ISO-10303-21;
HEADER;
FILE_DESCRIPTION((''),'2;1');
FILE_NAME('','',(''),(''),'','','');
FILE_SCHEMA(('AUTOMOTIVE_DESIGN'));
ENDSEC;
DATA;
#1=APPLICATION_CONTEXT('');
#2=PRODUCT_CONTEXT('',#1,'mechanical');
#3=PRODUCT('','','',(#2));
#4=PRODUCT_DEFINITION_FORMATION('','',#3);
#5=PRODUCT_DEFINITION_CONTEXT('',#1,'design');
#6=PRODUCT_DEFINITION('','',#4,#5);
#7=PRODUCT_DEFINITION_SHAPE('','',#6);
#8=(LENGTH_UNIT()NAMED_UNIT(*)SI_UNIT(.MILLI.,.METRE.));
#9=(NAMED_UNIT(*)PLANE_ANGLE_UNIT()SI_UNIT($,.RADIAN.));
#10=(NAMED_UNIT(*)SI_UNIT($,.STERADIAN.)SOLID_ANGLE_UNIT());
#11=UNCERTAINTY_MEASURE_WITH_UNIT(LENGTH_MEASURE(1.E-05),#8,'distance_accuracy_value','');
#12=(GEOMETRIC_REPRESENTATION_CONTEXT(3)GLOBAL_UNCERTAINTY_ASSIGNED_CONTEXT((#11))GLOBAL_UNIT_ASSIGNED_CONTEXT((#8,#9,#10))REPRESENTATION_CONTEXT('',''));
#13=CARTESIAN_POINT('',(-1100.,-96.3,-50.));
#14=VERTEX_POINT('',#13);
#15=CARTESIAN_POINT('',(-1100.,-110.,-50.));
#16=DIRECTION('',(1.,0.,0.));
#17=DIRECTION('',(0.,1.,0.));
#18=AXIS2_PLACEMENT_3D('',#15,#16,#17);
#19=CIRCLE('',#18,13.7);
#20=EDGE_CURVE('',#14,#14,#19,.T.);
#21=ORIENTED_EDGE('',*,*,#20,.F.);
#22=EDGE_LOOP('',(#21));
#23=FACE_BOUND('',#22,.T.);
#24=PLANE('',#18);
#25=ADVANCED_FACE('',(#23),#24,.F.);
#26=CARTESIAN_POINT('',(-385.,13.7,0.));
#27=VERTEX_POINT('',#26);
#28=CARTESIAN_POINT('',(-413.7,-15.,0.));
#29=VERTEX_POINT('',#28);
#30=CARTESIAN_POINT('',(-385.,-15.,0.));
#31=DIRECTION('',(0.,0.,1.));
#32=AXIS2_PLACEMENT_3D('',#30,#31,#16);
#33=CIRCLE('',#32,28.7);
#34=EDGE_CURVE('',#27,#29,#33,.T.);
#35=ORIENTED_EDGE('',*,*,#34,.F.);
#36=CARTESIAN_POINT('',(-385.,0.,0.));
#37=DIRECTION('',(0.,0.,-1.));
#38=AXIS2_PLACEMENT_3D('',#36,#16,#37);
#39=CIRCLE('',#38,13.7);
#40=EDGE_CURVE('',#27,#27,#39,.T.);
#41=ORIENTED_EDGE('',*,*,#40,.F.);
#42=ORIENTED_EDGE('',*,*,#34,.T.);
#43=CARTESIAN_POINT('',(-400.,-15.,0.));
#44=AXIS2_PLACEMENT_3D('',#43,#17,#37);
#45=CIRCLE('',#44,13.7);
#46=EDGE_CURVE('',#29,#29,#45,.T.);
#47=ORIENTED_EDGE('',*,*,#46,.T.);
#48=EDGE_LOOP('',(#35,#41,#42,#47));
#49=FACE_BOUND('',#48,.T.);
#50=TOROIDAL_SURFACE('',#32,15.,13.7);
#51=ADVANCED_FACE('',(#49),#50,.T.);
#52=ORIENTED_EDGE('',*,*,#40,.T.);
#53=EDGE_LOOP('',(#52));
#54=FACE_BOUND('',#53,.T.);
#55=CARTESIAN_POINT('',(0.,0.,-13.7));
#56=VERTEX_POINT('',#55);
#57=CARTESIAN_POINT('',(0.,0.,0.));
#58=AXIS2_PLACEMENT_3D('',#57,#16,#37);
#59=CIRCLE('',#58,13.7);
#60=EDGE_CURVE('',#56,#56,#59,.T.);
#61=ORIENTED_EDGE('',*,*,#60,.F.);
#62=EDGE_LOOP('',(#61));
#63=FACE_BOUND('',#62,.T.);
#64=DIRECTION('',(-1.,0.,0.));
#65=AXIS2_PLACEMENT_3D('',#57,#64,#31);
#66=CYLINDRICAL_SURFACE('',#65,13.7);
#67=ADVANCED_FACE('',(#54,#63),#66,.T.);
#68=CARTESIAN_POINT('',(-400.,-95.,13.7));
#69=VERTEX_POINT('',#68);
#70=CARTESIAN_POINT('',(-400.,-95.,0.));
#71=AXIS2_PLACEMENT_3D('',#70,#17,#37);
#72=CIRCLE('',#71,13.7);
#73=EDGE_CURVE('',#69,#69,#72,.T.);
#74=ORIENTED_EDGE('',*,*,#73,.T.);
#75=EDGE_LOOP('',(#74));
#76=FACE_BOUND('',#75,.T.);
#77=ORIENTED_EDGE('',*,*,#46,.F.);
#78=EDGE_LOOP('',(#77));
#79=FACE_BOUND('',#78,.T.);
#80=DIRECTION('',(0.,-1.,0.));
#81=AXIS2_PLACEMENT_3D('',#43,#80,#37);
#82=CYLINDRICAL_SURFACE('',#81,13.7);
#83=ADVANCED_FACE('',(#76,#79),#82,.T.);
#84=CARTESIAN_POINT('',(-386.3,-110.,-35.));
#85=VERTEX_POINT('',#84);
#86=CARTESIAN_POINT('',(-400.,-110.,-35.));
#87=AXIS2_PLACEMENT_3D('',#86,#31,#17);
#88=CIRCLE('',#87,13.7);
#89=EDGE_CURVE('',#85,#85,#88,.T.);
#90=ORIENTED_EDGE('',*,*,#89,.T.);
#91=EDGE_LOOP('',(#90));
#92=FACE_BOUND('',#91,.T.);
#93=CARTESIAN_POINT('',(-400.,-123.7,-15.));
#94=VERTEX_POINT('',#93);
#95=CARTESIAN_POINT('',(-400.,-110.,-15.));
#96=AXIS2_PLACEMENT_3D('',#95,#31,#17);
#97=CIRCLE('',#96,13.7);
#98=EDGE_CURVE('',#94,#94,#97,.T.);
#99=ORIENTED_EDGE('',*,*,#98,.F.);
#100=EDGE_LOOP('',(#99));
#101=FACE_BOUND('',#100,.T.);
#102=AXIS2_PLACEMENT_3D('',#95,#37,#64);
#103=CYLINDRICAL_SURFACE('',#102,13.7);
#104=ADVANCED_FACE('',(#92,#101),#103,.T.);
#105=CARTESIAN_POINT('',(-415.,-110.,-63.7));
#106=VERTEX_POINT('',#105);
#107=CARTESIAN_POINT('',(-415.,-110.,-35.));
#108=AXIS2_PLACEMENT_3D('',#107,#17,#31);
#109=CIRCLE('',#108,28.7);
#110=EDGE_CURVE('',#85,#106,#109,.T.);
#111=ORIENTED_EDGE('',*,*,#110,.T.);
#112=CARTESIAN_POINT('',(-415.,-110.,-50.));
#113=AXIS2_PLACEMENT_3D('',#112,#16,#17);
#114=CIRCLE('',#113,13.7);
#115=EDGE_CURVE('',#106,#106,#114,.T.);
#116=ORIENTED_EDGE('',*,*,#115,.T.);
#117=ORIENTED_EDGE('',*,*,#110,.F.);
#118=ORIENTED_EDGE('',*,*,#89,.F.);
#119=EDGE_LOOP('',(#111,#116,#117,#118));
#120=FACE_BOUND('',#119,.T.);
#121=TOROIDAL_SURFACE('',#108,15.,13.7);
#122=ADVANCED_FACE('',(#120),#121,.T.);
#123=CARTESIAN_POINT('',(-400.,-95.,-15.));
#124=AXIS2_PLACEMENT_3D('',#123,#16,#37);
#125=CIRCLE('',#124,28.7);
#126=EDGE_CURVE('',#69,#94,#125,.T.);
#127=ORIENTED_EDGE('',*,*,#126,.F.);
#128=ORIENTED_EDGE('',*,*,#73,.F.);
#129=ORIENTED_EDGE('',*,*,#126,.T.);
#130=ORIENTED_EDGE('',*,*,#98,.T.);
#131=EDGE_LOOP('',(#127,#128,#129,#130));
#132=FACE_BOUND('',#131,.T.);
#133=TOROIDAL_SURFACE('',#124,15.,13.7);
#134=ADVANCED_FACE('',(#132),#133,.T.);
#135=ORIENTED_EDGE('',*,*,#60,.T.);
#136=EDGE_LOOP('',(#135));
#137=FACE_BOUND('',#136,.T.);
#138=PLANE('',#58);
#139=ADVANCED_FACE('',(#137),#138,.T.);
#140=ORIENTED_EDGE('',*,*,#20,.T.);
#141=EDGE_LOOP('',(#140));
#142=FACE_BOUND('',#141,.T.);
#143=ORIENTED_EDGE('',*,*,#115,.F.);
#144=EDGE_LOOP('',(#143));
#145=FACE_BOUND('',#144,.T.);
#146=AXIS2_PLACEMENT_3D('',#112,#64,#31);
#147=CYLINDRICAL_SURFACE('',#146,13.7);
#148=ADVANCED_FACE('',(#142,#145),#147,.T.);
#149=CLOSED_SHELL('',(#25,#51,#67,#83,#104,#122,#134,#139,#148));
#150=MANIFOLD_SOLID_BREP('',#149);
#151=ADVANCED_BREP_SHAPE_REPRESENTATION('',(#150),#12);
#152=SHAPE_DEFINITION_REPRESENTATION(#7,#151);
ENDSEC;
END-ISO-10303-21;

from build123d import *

# Parameters (mm, degrees)
CROQUIS1_R = 13.7


with BuildPart() as part:
    # Barrer1: sweep along a curve in space
    with BuildLine() as barrer1_path:
        Line((0, 0, 0), (-385, 0, 0))
        ThreePointArc((-385, 0, 0), (-395.606601718, -4.393398282, 0), (-400, -15, 0))
        Line((-400, -15, 0), (-400, -95, 0))
        ThreePointArc((-400, -95, 0), (-400, -105.606601718, -4.393398282), (-400, -110, -15))
        Line((-400, -110, -15), (-400, -110, -35))
        ThreePointArc((-400, -110, -35), (-404.393398282, -110, -45.606601718), (-415, -110, -50))
        Line((-415, -110, -50), (-1100, -110, -50))
    # Croquis1 → Barrer1 (sweep)
    with BuildSketch(Plane(origin=(0, 0, 0), x_dir=(0, 0, -1), z_dir=(1, 0, 0))):
        Circle(CROQUIS1_R)
    sweep(path=barrer1_path.line)


solid = part.part
